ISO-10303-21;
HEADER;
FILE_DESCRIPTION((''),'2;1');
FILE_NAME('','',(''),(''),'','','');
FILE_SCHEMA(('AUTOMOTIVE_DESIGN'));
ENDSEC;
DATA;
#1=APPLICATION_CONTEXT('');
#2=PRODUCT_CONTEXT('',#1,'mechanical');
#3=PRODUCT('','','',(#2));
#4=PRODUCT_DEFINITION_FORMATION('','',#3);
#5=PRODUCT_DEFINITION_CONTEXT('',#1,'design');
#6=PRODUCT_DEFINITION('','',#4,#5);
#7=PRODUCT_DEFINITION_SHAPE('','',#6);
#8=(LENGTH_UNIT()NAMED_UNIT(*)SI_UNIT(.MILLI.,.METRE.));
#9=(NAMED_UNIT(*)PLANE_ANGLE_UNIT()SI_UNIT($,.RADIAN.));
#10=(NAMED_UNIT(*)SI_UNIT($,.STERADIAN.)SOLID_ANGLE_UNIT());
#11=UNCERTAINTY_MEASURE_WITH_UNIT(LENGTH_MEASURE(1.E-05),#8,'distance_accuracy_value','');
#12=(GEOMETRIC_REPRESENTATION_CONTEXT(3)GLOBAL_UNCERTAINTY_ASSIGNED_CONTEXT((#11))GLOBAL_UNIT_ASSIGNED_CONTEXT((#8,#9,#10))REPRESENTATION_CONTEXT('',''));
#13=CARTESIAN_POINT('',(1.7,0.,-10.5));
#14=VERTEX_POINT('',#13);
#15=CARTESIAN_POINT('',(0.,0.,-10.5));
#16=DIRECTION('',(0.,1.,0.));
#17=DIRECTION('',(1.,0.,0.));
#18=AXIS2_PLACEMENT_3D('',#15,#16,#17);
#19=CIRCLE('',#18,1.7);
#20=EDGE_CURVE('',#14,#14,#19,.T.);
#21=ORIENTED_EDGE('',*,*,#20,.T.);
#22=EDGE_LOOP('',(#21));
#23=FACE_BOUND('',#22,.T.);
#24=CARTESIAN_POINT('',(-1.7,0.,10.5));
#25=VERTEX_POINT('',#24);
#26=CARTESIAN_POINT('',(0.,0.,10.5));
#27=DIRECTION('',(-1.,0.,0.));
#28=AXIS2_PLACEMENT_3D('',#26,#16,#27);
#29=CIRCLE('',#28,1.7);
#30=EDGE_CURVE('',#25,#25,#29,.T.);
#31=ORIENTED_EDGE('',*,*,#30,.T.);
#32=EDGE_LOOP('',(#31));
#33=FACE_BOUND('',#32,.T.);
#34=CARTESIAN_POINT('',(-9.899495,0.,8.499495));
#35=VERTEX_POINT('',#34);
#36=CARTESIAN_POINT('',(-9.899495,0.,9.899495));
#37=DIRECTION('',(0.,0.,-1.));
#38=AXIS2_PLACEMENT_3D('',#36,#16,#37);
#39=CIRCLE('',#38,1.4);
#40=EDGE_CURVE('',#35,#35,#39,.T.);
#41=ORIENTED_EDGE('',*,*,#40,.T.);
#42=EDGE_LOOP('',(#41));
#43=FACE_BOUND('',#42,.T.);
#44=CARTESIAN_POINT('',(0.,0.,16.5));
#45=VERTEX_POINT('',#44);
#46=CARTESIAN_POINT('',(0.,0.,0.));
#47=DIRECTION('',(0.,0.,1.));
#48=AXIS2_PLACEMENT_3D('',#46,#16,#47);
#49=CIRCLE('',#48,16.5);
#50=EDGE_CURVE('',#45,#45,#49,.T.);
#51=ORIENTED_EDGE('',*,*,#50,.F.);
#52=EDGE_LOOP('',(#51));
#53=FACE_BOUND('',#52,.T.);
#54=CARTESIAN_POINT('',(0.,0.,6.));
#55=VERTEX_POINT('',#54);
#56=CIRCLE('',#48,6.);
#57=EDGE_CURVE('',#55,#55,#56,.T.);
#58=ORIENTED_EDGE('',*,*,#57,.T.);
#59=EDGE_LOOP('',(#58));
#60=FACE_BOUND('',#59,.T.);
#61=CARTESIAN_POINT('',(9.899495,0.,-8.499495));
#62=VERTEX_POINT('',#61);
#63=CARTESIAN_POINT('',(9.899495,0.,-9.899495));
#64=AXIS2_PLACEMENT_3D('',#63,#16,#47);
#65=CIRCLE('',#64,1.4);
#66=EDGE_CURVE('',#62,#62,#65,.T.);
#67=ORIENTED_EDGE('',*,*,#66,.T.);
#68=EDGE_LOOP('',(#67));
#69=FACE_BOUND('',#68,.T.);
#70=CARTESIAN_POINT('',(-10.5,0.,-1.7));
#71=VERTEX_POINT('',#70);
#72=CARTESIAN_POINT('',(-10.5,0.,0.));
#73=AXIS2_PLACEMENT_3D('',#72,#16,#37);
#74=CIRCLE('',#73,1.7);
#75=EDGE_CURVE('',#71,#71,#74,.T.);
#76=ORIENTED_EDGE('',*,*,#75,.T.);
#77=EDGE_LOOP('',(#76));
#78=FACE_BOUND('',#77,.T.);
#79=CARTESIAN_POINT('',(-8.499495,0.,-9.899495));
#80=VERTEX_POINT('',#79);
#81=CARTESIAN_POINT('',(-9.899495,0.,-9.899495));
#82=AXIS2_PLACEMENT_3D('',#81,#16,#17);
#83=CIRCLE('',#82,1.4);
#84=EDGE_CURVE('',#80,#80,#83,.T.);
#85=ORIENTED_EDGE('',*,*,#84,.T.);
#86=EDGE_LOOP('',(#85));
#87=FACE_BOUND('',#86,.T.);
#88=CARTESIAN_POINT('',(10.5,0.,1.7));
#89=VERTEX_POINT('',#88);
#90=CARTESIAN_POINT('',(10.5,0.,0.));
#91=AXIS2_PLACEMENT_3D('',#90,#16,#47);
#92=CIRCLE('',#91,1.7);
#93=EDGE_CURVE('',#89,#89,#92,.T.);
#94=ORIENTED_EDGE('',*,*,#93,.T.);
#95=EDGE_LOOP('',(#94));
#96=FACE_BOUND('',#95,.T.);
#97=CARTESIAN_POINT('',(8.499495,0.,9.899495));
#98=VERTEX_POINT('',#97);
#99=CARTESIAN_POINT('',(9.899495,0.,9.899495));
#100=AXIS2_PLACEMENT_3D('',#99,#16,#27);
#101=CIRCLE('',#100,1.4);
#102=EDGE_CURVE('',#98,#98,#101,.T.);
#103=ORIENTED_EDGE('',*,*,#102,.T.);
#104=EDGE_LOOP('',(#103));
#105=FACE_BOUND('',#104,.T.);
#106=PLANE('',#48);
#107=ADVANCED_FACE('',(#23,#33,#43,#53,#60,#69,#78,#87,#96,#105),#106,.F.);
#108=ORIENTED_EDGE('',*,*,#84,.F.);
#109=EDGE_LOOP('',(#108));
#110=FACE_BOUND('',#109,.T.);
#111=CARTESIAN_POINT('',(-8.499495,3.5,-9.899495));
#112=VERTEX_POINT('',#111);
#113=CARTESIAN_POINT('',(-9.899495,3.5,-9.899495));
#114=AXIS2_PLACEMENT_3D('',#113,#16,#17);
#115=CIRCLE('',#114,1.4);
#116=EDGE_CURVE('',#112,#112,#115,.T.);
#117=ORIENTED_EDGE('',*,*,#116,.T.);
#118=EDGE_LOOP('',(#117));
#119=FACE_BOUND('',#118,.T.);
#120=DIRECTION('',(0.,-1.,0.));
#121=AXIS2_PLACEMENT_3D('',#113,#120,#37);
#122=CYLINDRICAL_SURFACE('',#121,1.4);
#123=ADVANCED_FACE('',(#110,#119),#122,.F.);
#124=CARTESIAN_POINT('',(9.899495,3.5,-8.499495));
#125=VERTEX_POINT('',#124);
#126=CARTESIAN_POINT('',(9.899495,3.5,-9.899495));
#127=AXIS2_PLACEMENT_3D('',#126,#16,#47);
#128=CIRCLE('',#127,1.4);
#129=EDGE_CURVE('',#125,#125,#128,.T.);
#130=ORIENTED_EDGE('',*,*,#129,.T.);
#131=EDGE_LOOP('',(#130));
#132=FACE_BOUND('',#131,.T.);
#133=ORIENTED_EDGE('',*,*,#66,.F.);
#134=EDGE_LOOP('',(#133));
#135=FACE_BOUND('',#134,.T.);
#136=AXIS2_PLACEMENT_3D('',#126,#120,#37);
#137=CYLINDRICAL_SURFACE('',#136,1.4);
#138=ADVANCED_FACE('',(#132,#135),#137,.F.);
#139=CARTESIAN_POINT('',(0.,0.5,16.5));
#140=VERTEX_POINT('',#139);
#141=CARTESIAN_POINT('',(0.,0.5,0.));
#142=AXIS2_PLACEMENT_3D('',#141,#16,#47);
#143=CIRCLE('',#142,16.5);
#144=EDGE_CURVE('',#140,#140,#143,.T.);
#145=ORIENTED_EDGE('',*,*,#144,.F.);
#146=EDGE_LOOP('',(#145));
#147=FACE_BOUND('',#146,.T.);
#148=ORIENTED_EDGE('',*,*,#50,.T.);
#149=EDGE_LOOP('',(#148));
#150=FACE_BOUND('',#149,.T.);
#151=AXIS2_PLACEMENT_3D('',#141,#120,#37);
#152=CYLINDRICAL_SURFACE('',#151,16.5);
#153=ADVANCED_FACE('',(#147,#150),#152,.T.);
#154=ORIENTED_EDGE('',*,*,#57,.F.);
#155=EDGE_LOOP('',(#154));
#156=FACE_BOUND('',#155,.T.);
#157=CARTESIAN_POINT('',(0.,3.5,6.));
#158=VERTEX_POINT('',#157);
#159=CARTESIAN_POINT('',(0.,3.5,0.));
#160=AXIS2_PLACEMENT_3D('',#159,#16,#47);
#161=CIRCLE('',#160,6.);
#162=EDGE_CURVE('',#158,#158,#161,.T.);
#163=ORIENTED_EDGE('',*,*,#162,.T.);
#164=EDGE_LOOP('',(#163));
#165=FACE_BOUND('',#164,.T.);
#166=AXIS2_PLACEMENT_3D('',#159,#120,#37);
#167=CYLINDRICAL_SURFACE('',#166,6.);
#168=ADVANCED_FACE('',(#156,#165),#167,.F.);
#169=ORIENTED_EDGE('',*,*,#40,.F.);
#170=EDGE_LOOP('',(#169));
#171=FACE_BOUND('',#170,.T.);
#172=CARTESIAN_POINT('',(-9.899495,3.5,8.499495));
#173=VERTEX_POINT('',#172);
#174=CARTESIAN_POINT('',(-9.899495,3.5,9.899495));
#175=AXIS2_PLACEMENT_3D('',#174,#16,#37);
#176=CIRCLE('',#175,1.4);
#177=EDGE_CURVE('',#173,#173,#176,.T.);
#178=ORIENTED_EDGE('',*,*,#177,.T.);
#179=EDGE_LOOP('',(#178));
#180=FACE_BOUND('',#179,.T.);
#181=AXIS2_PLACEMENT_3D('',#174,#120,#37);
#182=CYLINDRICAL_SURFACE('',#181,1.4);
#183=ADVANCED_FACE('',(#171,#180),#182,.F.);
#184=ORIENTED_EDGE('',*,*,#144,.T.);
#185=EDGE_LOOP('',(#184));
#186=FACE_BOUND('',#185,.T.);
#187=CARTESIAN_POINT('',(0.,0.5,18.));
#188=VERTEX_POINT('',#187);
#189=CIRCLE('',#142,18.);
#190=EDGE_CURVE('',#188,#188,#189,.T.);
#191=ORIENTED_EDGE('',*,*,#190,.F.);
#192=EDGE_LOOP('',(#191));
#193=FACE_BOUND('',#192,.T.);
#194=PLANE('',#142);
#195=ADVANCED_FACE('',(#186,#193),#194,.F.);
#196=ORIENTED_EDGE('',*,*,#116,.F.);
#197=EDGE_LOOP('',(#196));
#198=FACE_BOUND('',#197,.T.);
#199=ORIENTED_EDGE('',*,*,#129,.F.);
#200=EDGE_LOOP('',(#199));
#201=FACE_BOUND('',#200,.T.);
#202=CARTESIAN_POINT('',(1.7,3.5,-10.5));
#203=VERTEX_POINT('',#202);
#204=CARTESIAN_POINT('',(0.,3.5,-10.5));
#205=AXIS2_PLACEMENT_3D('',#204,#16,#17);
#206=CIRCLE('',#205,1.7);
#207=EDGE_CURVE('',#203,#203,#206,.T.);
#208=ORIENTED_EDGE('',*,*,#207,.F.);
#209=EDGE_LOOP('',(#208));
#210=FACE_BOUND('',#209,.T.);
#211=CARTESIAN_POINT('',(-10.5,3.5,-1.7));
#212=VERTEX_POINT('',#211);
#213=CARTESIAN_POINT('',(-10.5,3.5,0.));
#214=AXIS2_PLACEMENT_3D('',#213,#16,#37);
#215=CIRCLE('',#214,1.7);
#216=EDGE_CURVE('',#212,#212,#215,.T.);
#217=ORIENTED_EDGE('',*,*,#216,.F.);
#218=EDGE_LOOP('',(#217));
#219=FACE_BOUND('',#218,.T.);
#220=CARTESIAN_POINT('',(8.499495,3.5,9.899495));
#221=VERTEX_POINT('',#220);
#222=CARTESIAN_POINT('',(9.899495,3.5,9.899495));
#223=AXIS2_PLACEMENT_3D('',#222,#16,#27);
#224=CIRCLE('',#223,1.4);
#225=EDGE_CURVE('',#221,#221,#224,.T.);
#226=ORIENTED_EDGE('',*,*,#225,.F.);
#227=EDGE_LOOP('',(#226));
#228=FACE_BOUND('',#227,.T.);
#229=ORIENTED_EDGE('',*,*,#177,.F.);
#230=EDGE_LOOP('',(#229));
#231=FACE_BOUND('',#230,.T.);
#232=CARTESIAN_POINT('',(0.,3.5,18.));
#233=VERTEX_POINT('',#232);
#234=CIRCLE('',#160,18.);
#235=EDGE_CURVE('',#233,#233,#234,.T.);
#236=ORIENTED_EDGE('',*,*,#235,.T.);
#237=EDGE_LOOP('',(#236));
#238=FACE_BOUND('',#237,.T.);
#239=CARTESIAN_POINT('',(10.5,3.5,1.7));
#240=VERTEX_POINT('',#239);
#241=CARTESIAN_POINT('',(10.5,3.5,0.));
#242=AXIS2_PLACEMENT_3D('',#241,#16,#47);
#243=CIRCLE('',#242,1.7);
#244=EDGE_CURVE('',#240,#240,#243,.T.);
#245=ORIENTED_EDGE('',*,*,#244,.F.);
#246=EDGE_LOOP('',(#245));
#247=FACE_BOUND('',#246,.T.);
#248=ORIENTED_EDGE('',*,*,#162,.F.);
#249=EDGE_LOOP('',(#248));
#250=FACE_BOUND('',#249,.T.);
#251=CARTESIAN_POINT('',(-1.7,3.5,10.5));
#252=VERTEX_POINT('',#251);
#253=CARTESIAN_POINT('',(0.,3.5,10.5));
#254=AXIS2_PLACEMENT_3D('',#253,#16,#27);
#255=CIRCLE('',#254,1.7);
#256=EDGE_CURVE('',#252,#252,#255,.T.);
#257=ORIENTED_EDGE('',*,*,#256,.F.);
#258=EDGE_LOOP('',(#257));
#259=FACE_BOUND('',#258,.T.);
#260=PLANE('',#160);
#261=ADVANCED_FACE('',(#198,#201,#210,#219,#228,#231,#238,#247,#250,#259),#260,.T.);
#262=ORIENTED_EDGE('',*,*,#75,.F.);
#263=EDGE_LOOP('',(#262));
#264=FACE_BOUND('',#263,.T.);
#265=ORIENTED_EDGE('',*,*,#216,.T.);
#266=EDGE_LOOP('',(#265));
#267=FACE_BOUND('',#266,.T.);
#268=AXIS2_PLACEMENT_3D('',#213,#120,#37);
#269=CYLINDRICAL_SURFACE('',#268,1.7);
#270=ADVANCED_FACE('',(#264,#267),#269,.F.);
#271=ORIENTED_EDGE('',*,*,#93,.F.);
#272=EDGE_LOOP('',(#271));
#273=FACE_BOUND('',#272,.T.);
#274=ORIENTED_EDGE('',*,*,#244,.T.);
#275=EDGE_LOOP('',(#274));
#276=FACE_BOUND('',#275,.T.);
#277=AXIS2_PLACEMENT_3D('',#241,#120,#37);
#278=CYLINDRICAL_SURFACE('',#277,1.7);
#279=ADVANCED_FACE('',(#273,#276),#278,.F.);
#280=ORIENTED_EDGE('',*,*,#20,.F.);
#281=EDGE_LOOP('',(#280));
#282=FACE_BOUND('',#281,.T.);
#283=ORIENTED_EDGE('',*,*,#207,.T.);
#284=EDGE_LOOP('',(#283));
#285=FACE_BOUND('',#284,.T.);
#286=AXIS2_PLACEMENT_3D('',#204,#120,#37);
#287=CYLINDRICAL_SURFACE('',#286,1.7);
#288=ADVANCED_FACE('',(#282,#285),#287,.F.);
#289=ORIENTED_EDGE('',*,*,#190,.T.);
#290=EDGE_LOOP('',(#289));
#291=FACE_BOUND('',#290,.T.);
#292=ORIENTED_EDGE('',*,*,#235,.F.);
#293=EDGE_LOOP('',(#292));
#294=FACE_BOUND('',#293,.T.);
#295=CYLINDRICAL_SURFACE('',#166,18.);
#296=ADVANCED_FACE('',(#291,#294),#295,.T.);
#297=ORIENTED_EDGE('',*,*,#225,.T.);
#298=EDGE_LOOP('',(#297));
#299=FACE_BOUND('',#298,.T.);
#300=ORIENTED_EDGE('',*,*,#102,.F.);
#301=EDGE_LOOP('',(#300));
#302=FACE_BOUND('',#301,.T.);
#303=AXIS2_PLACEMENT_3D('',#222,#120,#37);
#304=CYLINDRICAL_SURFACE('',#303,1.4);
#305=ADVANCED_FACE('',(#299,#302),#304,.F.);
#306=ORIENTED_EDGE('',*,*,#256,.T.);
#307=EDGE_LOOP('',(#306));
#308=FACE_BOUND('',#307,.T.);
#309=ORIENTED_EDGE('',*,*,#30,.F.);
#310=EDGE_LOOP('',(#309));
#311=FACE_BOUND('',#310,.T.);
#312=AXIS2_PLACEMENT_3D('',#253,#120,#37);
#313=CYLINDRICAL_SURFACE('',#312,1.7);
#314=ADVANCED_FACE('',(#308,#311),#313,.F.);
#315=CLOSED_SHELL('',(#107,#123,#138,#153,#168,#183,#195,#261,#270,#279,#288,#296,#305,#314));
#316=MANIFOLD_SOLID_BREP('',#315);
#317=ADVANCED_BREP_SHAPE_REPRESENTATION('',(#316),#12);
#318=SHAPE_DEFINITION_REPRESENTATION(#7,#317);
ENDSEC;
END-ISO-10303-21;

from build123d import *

# Parameters (mm, degrees)
SKETCH1_R           = 16.5
BOSS_EXTRUDE1_DEPTH = 0.5
SKETCH2_R           = 18
BOSS_EXTRUDE2_DEPTH = 3
SKETCH3_R           = 6
CUT_EXTRUDE1_DEPTH  = 26.695330315
SKETCH4_R           = 1.7
CUT_EXTRUDE2_DEPTH  = 26.695330315
CIRPATTERN1_COUNT   = 4
SKETCH5_R           = 1.4
CUT_EXTRUDE3_DEPTH  = 26.695330315
CIRPATTERN2_COUNT   = 4


with BuildPart() as part:
    # Sketch1 → Boss-Extrude1 (new body)
    with BuildSketch(Plane(origin=(0, 0, 0), x_dir=(1, 0, 0), z_dir=(0, 1, 0))):
        with Locations(Location((0, 0, 0), (0, 0, 270))):
            Circle(SKETCH1_R)
    extrude(amount=BOSS_EXTRUDE1_DEPTH)

    # Sketch2 → Boss-Extrude2 (add)
    with BuildSketch(Plane(origin=(0, 0.5, 0), x_dir=(1, 0, 0), z_dir=(0, 1, 0))):
        with Locations(Location((0, 0, 0), (0, 0, 270))):
            Circle(SKETCH2_R)
    extrude(amount=BOSS_EXTRUDE2_DEPTH)

    # Sketch3 → Cut-Extrude1 (cut, through all)
    with BuildSketch(Plane(origin=(0, 0, 0), x_dir=(1, 0, 0), z_dir=(0, 1, 0))):
        with Locations(Location((0, 0, 0), (0, 0, 270))):
            Circle(SKETCH3_R)
    extrude(amount=CUT_EXTRUDE1_DEPTH, mode=Mode.SUBTRACT)

    # Sketch4 → Cut-Extrude2 (cut, through all)
    with BuildSketch(Plane(origin=(0, 0, 0), x_dir=(1, 0, 0), z_dir=(0, 1, 0))):
        with Locations(Location((10.5, 0, 0), (0, 0, 270))):
            Circle(SKETCH4_R)
    cut_extrude2 = extrude(amount=CUT_EXTRUDE2_DEPTH, mode=Mode.SUBTRACT)

    # CirPattern1: Cut-Extrude2 ×4 about axis
    cirpattern1_axis = Axis((0, 0, 0), (0, 1, 0))
    for i in range(1, CIRPATTERN1_COUNT):
        add(cut_extrude2.rotate(cirpattern1_axis, i * 360 / CIRPATTERN1_COUNT), mode=Mode.SUBTRACT)

    # Sketch5 → Cut-Extrude3 (cut, through all)
    with BuildSketch(Plane(origin=(0, 0, 0), x_dir=(1, 0, 0), z_dir=(0, 1, 0))):
        with Locations(Location((9.899494937, 9.899494937, 0), (0, 0, 270))):
            Circle(SKETCH5_R)
    cut_extrude3 = extrude(amount=CUT_EXTRUDE3_DEPTH, mode=Mode.SUBTRACT)

    # CirPattern2: Cut-Extrude3 ×4 about axis
    cirpattern2_axis = Axis((0, 0, 0), (0, 1, 0))
    for i in range(1, CIRPATTERN2_COUNT):
        add(cut_extrude3.rotate(cirpattern2_axis, i * 360 / CIRPATTERN2_COUNT), mode=Mode.SUBTRACT)


solid = part.part
